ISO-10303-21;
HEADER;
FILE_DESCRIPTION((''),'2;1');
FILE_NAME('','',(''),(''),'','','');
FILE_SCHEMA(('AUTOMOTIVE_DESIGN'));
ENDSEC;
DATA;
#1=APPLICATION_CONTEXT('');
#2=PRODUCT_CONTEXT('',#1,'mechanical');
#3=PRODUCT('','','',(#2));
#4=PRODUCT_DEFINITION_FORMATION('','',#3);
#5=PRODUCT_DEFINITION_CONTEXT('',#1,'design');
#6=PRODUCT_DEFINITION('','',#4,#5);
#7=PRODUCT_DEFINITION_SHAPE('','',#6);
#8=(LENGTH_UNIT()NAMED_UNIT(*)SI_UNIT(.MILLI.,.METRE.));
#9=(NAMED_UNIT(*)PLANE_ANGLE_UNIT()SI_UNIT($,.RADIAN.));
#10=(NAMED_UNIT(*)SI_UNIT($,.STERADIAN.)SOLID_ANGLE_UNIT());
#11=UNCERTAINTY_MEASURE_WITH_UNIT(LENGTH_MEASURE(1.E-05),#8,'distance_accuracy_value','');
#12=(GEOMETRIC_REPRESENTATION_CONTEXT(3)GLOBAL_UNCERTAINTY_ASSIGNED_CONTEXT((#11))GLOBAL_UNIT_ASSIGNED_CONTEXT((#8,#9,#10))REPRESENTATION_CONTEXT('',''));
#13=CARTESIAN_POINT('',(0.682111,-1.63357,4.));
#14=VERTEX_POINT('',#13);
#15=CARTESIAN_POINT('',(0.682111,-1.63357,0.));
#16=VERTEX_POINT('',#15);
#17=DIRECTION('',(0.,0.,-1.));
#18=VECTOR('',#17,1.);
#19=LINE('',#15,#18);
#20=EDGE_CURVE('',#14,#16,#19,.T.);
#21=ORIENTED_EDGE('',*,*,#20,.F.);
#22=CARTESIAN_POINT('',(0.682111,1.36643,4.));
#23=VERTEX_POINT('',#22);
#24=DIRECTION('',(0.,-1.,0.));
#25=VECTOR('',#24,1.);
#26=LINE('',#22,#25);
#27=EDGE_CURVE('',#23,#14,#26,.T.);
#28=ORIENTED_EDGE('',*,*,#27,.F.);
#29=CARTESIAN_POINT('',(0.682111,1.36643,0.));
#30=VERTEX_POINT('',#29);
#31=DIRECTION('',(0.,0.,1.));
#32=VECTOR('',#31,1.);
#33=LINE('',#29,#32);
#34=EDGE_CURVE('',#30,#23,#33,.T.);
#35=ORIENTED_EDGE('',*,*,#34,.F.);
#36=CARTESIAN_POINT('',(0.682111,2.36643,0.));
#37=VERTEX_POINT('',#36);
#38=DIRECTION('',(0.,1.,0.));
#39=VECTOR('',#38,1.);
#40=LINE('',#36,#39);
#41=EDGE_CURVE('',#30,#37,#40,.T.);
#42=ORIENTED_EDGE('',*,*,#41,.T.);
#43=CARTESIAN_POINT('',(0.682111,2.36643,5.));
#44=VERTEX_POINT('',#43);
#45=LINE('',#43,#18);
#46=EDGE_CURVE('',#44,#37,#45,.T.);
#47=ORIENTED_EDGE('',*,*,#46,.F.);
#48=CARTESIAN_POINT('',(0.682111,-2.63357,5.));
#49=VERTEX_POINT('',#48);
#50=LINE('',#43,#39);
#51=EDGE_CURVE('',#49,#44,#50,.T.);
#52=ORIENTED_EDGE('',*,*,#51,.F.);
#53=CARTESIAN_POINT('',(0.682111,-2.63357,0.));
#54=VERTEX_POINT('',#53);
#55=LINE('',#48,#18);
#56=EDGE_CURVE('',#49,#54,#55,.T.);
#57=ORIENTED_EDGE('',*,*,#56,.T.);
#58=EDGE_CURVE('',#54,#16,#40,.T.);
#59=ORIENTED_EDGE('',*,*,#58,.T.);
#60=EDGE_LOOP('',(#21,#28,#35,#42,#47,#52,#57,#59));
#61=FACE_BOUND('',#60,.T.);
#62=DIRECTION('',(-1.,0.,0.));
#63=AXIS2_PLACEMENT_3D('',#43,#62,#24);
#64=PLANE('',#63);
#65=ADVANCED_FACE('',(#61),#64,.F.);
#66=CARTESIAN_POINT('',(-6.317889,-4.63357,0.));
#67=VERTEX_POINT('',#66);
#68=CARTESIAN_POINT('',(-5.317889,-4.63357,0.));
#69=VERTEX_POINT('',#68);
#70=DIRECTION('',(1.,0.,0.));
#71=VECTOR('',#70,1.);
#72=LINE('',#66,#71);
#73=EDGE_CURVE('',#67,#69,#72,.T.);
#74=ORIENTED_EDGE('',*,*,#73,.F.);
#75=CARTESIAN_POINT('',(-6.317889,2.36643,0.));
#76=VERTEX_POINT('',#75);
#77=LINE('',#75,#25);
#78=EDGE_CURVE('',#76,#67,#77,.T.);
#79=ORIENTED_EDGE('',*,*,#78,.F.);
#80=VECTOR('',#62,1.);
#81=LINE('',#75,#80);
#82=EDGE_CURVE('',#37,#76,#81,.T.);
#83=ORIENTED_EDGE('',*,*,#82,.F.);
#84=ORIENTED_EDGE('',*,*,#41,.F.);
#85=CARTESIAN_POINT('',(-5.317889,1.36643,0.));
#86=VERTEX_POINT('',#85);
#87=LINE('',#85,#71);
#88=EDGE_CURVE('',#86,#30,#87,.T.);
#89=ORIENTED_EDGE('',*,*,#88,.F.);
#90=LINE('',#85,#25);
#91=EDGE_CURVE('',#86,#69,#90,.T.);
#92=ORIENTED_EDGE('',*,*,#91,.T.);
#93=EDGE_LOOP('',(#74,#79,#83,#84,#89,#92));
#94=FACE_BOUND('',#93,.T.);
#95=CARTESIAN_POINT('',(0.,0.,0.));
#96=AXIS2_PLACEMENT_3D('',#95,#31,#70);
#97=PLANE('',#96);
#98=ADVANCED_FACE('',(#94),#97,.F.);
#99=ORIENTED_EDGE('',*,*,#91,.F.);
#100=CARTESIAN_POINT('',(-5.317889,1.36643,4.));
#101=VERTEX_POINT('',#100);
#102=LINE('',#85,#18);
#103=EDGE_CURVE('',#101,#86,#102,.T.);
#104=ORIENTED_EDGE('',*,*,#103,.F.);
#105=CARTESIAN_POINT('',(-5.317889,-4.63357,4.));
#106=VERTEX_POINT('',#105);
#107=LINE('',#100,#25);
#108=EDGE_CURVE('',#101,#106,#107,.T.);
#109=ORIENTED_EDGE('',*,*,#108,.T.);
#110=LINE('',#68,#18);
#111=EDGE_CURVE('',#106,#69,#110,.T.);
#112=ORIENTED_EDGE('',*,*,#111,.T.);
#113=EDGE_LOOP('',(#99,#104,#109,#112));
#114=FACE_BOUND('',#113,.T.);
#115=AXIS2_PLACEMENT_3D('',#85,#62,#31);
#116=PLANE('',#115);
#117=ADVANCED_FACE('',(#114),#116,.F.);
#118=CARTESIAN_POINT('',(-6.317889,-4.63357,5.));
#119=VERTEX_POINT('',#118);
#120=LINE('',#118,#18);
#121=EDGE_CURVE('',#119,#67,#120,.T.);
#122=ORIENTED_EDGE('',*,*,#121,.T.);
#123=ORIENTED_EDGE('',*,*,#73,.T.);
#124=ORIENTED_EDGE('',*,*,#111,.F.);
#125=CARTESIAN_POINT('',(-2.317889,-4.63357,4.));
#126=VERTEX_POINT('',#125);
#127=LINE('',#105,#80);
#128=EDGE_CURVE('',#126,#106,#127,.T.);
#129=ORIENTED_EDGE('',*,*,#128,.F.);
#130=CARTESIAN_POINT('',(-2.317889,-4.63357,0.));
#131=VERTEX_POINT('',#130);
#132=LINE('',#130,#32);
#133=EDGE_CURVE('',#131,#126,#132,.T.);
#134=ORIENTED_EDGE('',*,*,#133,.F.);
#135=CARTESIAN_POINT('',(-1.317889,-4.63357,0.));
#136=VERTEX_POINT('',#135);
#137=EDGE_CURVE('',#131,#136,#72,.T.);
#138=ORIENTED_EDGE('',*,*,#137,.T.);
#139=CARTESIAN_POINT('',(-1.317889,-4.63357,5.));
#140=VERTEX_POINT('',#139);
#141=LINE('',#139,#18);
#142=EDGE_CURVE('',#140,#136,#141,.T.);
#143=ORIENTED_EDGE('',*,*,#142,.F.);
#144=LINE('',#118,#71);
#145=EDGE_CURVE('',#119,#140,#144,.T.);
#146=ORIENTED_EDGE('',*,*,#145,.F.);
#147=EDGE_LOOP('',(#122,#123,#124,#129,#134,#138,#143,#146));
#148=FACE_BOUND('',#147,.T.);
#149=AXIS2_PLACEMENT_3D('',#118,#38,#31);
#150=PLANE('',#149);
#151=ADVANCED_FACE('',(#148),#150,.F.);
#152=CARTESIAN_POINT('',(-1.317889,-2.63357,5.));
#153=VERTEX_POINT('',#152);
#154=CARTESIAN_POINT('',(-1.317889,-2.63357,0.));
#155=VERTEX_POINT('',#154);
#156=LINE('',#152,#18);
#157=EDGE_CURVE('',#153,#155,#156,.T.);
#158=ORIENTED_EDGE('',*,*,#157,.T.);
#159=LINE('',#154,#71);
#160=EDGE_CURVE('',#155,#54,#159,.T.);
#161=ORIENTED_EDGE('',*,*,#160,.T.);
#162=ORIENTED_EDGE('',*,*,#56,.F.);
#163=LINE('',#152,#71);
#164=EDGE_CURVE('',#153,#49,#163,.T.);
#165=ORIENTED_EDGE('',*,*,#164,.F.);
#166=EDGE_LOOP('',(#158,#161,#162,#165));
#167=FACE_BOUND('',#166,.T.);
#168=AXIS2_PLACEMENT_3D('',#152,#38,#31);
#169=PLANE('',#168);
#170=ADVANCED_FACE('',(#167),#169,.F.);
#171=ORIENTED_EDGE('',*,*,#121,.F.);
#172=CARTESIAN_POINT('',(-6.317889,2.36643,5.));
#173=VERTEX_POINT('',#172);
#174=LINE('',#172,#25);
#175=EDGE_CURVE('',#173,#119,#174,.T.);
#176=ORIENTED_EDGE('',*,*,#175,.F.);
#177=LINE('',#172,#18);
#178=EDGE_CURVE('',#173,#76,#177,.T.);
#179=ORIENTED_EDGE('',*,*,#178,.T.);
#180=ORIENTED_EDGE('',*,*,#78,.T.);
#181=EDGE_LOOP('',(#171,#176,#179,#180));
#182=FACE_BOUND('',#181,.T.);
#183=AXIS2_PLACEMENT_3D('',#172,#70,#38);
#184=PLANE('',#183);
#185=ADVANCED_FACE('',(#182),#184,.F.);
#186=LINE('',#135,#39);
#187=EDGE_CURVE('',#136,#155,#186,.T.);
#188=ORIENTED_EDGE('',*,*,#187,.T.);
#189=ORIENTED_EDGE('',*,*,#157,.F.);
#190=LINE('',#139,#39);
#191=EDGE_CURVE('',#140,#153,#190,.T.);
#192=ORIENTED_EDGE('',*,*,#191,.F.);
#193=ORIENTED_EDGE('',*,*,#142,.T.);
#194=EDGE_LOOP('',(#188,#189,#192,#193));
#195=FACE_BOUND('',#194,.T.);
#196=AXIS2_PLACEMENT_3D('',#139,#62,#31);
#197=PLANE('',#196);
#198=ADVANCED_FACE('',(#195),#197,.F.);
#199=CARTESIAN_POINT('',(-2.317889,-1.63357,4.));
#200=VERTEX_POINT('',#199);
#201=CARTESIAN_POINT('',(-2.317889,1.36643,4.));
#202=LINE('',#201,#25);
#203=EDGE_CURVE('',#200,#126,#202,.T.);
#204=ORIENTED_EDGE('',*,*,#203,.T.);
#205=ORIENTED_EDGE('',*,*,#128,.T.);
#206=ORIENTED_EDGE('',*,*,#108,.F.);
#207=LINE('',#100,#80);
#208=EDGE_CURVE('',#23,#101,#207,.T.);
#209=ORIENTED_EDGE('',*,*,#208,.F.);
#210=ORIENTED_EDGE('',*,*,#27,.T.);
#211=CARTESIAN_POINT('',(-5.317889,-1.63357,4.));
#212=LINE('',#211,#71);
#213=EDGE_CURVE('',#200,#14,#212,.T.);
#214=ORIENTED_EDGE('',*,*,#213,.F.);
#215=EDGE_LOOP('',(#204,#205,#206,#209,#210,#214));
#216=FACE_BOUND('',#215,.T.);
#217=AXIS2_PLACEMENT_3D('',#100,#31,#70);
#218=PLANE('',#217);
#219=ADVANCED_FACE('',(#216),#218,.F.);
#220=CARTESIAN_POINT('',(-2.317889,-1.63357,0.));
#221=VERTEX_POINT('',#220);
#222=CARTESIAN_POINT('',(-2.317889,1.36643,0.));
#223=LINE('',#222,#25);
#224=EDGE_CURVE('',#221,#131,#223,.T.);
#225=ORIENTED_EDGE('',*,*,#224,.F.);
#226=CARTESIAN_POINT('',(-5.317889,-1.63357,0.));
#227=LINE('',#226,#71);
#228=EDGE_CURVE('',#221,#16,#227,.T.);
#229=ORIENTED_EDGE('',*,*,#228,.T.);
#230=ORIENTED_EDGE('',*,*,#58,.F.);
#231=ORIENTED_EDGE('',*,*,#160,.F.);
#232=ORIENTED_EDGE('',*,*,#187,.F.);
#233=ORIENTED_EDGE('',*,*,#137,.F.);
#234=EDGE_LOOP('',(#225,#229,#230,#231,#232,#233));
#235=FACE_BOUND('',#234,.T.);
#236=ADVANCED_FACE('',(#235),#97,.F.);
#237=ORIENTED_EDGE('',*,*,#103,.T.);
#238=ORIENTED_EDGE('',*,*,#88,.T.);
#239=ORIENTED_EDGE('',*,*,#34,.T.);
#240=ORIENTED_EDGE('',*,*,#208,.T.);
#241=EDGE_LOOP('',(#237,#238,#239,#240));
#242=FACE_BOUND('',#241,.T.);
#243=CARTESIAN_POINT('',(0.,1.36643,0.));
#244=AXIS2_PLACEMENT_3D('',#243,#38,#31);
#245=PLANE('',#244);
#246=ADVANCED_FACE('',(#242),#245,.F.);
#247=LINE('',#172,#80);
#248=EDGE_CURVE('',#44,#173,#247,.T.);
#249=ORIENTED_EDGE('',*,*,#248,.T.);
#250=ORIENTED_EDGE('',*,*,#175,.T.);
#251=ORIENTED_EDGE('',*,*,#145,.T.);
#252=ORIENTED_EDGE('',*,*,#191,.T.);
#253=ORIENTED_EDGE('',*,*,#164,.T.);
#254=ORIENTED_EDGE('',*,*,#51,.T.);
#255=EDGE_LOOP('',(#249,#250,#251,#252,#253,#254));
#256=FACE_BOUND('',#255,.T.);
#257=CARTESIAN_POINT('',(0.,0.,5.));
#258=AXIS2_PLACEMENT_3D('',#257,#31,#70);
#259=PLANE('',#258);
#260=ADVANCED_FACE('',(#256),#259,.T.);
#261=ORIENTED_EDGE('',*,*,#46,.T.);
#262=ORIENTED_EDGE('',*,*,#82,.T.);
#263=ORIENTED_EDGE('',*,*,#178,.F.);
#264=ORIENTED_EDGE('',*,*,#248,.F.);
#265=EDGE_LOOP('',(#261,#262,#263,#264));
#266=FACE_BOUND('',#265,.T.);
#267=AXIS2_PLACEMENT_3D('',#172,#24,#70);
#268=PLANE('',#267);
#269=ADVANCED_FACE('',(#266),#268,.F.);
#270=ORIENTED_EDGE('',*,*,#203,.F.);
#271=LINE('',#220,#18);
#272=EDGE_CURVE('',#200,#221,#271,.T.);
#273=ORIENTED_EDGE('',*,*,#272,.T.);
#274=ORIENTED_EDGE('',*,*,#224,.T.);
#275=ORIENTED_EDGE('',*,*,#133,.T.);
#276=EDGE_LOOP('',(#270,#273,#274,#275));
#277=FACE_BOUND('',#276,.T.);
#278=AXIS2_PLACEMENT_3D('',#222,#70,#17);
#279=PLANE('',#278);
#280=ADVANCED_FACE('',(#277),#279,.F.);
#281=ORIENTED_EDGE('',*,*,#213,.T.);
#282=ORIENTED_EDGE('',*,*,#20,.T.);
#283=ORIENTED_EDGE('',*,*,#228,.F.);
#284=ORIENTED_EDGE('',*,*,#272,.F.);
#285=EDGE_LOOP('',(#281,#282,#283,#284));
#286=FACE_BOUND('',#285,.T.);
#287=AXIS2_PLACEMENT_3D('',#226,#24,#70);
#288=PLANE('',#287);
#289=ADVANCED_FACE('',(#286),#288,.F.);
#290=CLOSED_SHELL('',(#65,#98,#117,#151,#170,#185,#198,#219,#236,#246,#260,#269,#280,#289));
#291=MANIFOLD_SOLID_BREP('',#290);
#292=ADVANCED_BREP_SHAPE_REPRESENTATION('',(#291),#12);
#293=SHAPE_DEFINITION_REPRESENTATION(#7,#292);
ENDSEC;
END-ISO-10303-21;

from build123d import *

# Parameters (mm, degrees)
BOSS_EXTRU_1_DEPTH      = 5
ESQUISSE2_W             = 3
ESQUISSE2_H             = 4
ENL_V_MAT_EXTRU_1_DEPTH = 6
ESQUISSE3_W             = 4
ESQUISSE3_H             = 3
ENL_V_MAT_EXTRU_2_DEPTH = 6


with BuildPart() as part:
    # Esquisse1 → Boss.-Extru.1 (new body)
    with BuildSketch(Plane.XY):
        Polygon((-1.317889251, -4.63356974), (-1.317889251, -2.63356974), (0.682110749, -2.63356974), (0.682110749, 2.36643026), (-6.317889251, 2.36643026), (-6.317889251, -4.63356974), align=None)
    extrude(amount=BOSS_EXTRU_1_DEPTH)

    # Esquisse2 → Enlèv. mat.-Extru.1 (cut)
    with BuildSketch(Plane.XZ.offset(4.63356974)):
        with Locations((-3.817889251, 2)):
            Rectangle(ESQUISSE2_W, ESQUISSE2_H)
    extrude(amount=-ENL_V_MAT_EXTRU_1_DEPTH, mode=Mode.SUBTRACT)

    # Esquisse3 → Enlèv. mat.-Extru.2 (cut)
    with BuildSketch(Plane(origin=(0.682110749, 0, 0), x_dir=(0, 0, -1), z_dir=(1, 0, 0))):
        with Locations((-2, -0.13356974)):
            Rectangle(ESQUISSE3_W, ESQUISSE3_H)
    extrude(amount=-ENL_V_MAT_EXTRU_2_DEPTH, mode=Mode.SUBTRACT)


solid = part.part
